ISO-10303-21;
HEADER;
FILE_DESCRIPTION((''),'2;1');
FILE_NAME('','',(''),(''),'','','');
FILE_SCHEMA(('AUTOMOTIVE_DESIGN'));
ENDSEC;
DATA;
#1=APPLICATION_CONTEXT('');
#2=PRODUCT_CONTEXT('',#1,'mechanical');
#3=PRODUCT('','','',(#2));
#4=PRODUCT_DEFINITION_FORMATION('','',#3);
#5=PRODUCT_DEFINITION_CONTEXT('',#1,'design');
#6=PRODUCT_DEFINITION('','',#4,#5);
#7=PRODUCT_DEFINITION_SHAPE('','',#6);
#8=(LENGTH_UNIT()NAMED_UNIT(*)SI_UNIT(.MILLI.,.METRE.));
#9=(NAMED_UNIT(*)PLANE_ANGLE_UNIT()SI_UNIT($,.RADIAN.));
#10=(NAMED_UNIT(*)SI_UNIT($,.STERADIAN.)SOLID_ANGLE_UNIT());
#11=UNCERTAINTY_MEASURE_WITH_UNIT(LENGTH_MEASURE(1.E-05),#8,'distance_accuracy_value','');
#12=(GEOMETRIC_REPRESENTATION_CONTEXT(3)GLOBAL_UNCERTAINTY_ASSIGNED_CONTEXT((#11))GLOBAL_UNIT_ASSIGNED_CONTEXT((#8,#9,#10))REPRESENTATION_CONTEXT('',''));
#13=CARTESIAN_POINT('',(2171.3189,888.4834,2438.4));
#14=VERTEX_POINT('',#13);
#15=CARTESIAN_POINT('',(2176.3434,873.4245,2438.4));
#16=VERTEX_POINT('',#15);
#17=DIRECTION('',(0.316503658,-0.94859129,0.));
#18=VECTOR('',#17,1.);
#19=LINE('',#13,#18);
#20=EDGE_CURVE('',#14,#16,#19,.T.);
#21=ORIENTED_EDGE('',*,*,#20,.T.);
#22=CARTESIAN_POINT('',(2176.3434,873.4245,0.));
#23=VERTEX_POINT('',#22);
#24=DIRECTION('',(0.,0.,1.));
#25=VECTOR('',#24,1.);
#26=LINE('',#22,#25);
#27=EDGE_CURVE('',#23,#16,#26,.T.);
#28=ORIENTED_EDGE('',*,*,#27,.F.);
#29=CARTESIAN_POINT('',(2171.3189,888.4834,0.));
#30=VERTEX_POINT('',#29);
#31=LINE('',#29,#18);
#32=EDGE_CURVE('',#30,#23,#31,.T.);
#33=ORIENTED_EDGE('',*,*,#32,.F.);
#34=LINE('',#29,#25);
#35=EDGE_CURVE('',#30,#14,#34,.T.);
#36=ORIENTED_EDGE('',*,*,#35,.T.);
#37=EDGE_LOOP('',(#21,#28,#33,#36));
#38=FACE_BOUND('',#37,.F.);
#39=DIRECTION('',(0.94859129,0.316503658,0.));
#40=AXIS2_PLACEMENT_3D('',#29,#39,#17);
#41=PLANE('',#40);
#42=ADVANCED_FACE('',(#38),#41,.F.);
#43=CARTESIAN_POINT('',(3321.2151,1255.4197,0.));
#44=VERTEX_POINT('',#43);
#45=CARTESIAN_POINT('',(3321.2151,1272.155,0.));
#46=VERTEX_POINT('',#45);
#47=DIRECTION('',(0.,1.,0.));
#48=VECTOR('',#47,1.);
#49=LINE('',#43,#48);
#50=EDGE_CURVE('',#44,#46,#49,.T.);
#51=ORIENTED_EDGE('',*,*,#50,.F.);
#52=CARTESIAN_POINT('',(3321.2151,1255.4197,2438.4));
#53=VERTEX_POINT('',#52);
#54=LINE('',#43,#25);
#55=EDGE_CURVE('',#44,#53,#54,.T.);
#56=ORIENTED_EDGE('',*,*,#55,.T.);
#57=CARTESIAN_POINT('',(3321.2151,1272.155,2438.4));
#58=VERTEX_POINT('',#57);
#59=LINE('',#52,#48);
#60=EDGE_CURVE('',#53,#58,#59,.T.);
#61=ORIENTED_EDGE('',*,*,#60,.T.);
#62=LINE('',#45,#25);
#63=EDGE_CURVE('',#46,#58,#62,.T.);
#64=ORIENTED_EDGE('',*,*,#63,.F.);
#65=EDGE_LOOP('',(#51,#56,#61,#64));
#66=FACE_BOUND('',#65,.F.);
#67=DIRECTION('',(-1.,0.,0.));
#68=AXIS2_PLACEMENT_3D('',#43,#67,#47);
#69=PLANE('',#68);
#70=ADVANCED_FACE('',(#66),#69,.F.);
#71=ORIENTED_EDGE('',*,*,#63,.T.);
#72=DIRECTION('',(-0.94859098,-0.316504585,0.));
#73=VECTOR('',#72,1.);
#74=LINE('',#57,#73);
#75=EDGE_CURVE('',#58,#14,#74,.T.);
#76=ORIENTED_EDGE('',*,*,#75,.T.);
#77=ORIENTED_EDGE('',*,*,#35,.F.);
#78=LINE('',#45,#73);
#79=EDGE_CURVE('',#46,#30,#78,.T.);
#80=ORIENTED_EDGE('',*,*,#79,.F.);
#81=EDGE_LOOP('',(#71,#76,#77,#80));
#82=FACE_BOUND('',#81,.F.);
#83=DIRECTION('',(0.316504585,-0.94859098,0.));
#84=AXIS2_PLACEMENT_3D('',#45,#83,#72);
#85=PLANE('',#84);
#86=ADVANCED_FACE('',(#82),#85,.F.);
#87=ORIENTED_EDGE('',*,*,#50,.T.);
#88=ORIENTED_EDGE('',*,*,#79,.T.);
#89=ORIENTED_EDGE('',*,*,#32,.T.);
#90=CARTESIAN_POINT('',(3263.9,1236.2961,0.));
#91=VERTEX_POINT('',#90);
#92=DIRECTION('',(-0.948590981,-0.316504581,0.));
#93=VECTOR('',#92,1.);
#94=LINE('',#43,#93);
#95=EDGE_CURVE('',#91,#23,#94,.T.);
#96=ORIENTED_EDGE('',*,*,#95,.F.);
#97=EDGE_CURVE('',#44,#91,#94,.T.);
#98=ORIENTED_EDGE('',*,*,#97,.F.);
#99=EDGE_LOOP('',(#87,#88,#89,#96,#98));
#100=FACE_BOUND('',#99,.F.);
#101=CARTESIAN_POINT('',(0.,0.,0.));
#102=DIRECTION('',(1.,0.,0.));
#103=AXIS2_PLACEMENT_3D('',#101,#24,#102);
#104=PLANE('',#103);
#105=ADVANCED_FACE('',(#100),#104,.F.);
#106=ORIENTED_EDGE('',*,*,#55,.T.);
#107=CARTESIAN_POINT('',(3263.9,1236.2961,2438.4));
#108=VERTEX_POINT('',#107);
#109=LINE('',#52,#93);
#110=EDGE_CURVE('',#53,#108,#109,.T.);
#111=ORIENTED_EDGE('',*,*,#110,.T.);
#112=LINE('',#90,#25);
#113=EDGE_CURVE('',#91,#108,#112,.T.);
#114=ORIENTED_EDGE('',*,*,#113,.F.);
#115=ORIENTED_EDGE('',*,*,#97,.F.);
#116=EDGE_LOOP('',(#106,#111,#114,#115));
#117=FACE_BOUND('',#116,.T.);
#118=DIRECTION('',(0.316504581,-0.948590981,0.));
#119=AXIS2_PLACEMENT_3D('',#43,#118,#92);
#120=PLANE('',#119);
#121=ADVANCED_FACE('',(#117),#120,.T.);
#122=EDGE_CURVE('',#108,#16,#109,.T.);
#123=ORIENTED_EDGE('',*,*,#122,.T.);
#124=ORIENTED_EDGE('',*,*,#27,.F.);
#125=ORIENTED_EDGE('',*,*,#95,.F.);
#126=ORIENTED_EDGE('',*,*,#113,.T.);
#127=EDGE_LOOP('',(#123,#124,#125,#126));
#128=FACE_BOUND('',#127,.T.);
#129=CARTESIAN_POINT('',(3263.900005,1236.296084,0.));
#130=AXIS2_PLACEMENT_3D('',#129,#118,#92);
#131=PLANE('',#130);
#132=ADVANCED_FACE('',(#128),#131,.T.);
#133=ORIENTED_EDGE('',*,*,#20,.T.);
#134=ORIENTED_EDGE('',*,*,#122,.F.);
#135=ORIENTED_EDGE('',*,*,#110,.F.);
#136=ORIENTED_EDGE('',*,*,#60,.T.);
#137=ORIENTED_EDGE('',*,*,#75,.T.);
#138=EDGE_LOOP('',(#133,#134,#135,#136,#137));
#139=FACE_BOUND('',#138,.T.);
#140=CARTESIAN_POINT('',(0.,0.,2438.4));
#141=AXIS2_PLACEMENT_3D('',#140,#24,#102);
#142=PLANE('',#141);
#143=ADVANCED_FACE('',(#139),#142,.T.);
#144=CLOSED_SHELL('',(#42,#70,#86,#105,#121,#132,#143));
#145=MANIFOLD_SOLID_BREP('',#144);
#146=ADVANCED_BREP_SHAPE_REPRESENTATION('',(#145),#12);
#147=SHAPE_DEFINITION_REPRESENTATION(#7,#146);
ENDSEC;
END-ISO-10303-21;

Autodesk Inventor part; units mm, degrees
ref_plane "YZ Plane" through (0, 0, 0) normal (1, 0, 0) x (0, 1, 0)
ref_plane "XZ Plane" through (0, 0, 0) normal (0, 1, 0) x (-1, 0, 0)
sketch "Sketch1" plane through (0, 0, 0) normal (0, 0, 1) x (1, 0, 0)
  line L0 (0, 0) -> (3321.2151, 1108.1486)
  line L1 (3321.2151, 1255.4197) -> (-135.0962, 102.1952)
  line L2 (0, 0) -> (-135.0962, 0)
  line L3 (-135.0962, 0) -> (-135.0962, 102.1952)
  line L4 (-135.0962, 102.1952) -> (1593.1098, 678.8242)
  line L5 (3321.2151, 1108.1486) -> (3263.9, 1108.1486)
  line L6 (3321.2151, 1108.1486) -> (3321.2151, 1255.4197)
  line L7 (-88.9, 0) -> (-88.9, 117.6089)
  line L8 (3263.9, 1089.025) -> (3263.9, 1236.2961)
  line L9 (-135.0962, 102.1952) -> (-135.0962, 118.9305)
  line L10 (-135.0962, 118.9305) -> (1016.4014, 503.1364)
  line L11 (1016.4014, 503.1364) -> (1021.4259, 488.0776)
  line L12 (1021.4259, 488.0776) -> (-135.0962, 102.1952)
  line L13 (-135.0962, 102.1952) -> (-100.9981, 0)
  line L14 (3321.2151, 1255.4197) -> (3321.2151, 1272.155)
  line L15 (3321.2151, 1272.155) -> (2171.3189, 888.4834)
  line L16 (2171.3189, 888.4834) -> (2176.3434, 873.4245)
  dimension "d5" = 139.7
  dimension "d17" = 88.9
  dimension "d19" = 3352.8
  dimension "d23" = 57.3151
  dimension "d28" = 46.1962
  dimension "d33" = 1089.025
  dimension "d36" = 15.875
  dimension "d37" = 1219.2
  dimension "d41" = 15.875
  dimension "d42" = 1212.215
extrude "Extrusion2" add sketch "Sketch1" along normal blind 2438.4 contours L1 L16 L15 L14
ref_plane "Work Plane2" through (-135.0962, 102.1952, 0) normal (-0.9486, -0.3165, 0) x (0.3165, -0.9486, 0)
properties part number "OSB_For_Front_Roof" material "Wood (Birch)"
